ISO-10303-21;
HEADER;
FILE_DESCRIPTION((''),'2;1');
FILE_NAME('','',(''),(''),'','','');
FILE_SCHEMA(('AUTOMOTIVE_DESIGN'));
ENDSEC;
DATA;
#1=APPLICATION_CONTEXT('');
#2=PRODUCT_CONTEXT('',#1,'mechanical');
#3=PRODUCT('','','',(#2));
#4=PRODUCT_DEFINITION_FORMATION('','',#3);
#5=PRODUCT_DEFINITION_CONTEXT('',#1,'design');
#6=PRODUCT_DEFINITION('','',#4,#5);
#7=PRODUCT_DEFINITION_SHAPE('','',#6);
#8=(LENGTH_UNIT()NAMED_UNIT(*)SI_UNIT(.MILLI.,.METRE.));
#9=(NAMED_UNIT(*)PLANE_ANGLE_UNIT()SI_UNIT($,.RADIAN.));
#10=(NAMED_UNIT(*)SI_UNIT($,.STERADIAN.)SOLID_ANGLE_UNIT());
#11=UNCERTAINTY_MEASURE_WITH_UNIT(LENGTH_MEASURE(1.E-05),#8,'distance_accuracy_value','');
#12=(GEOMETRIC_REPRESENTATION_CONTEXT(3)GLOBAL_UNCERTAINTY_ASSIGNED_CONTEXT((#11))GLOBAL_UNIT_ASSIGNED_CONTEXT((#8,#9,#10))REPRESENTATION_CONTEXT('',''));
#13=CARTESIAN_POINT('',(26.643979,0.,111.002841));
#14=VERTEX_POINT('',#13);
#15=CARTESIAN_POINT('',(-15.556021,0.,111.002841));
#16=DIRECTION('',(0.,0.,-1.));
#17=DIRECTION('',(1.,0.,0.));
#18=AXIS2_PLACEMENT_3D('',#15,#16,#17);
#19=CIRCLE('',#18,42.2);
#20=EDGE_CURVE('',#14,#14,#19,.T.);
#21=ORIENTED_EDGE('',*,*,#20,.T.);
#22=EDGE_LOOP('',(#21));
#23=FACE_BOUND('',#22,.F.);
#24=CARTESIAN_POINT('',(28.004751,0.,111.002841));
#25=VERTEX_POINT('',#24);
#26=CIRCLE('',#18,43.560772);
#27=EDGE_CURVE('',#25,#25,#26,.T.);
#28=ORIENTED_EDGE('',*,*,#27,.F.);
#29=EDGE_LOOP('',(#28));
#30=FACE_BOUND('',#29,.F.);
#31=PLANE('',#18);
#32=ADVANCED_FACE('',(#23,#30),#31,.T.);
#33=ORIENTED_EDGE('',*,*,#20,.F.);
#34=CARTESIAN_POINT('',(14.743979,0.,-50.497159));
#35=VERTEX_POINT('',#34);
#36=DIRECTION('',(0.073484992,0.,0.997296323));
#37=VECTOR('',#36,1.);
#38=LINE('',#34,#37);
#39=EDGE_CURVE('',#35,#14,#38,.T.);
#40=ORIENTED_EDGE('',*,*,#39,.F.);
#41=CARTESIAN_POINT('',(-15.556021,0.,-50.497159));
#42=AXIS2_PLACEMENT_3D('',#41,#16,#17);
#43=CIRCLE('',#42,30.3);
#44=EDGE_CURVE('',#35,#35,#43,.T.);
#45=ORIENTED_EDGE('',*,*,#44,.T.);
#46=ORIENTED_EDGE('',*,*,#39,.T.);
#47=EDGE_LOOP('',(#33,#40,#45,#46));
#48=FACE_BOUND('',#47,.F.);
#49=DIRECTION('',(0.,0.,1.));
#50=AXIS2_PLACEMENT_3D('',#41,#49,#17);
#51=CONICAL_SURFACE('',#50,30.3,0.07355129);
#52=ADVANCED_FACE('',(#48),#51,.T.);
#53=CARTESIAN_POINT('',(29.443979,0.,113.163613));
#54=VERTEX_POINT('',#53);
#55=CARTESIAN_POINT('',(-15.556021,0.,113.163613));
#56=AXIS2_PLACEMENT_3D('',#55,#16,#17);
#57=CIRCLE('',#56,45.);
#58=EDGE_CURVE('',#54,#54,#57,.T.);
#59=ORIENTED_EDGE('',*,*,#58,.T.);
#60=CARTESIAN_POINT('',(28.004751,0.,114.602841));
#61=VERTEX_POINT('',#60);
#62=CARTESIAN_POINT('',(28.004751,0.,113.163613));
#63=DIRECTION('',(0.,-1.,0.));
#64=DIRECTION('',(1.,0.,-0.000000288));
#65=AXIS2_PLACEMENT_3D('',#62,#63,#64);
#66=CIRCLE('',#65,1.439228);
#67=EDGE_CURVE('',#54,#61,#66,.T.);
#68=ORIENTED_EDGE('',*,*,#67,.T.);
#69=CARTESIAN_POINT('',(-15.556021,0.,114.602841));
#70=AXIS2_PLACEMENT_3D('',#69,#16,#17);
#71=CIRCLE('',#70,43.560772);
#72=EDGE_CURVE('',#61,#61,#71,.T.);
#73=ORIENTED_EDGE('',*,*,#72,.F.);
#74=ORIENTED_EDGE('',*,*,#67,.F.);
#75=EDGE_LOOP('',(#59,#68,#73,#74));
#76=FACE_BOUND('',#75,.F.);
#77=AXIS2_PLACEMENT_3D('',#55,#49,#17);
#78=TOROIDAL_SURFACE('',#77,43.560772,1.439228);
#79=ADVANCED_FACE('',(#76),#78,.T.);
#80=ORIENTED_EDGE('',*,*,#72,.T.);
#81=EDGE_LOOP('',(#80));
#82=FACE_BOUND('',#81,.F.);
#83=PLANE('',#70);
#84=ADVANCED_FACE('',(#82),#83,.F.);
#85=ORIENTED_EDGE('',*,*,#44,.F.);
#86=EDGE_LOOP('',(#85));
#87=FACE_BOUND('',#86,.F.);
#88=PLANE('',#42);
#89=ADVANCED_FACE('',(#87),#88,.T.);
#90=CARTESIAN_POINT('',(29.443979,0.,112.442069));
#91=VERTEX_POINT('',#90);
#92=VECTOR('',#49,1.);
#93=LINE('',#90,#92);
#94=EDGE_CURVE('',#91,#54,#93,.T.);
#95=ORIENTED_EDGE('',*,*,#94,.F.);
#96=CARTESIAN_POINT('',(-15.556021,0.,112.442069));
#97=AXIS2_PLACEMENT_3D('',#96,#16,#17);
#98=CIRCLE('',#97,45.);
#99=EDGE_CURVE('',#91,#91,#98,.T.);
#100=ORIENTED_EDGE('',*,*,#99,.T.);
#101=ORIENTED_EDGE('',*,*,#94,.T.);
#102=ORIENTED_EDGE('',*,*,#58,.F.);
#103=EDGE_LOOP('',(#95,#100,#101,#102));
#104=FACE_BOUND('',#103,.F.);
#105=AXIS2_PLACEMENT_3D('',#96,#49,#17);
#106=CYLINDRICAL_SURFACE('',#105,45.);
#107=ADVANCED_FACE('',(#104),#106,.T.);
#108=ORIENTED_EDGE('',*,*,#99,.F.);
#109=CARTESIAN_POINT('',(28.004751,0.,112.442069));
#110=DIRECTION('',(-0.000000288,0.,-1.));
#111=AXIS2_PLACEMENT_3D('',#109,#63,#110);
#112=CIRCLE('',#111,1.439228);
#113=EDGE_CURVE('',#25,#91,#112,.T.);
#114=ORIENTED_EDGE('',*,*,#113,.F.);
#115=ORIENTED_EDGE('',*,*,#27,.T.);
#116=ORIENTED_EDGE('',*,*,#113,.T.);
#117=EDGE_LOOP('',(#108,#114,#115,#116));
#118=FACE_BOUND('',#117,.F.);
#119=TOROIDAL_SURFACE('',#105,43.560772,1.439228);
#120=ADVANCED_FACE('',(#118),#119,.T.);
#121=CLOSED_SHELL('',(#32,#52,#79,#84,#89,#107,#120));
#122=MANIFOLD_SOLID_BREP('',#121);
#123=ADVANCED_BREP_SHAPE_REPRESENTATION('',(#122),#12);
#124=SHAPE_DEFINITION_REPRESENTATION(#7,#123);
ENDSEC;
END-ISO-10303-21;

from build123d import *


with BuildPart() as f1:
    # F0 (on Front) → F1 (revolve)
    with BuildSketch(Plane.XZ):
        with BuildLine():
            Line((14.743979, -50.497159), (26.643979, 111.002841))
            Line((26.643979, 111.002841), (28.004751, 111.002841))
            ThreePointArc((28.004751, 111.002841), (29.022439, 111.424381), (29.443979, 112.442069))
            Line((29.443979, 112.442069), (29.443979, 113.163613))
            ThreePointArc((29.443979, 113.163613), (29.022439, 114.181301), (28.004751, 114.602841))
            Line((28.004751, 114.602841), (-15.556021, 114.602841))
            Line((-15.556021, 114.602841), (-15.556021, -50.497159))
            Line((-15.556021, -50.497159), (14.743979, -50.497159))
        make_face()
    revolve(axis=Axis((-15.556021, 0, 32.052841), (0, 0, -1)))


solid = f1.part
